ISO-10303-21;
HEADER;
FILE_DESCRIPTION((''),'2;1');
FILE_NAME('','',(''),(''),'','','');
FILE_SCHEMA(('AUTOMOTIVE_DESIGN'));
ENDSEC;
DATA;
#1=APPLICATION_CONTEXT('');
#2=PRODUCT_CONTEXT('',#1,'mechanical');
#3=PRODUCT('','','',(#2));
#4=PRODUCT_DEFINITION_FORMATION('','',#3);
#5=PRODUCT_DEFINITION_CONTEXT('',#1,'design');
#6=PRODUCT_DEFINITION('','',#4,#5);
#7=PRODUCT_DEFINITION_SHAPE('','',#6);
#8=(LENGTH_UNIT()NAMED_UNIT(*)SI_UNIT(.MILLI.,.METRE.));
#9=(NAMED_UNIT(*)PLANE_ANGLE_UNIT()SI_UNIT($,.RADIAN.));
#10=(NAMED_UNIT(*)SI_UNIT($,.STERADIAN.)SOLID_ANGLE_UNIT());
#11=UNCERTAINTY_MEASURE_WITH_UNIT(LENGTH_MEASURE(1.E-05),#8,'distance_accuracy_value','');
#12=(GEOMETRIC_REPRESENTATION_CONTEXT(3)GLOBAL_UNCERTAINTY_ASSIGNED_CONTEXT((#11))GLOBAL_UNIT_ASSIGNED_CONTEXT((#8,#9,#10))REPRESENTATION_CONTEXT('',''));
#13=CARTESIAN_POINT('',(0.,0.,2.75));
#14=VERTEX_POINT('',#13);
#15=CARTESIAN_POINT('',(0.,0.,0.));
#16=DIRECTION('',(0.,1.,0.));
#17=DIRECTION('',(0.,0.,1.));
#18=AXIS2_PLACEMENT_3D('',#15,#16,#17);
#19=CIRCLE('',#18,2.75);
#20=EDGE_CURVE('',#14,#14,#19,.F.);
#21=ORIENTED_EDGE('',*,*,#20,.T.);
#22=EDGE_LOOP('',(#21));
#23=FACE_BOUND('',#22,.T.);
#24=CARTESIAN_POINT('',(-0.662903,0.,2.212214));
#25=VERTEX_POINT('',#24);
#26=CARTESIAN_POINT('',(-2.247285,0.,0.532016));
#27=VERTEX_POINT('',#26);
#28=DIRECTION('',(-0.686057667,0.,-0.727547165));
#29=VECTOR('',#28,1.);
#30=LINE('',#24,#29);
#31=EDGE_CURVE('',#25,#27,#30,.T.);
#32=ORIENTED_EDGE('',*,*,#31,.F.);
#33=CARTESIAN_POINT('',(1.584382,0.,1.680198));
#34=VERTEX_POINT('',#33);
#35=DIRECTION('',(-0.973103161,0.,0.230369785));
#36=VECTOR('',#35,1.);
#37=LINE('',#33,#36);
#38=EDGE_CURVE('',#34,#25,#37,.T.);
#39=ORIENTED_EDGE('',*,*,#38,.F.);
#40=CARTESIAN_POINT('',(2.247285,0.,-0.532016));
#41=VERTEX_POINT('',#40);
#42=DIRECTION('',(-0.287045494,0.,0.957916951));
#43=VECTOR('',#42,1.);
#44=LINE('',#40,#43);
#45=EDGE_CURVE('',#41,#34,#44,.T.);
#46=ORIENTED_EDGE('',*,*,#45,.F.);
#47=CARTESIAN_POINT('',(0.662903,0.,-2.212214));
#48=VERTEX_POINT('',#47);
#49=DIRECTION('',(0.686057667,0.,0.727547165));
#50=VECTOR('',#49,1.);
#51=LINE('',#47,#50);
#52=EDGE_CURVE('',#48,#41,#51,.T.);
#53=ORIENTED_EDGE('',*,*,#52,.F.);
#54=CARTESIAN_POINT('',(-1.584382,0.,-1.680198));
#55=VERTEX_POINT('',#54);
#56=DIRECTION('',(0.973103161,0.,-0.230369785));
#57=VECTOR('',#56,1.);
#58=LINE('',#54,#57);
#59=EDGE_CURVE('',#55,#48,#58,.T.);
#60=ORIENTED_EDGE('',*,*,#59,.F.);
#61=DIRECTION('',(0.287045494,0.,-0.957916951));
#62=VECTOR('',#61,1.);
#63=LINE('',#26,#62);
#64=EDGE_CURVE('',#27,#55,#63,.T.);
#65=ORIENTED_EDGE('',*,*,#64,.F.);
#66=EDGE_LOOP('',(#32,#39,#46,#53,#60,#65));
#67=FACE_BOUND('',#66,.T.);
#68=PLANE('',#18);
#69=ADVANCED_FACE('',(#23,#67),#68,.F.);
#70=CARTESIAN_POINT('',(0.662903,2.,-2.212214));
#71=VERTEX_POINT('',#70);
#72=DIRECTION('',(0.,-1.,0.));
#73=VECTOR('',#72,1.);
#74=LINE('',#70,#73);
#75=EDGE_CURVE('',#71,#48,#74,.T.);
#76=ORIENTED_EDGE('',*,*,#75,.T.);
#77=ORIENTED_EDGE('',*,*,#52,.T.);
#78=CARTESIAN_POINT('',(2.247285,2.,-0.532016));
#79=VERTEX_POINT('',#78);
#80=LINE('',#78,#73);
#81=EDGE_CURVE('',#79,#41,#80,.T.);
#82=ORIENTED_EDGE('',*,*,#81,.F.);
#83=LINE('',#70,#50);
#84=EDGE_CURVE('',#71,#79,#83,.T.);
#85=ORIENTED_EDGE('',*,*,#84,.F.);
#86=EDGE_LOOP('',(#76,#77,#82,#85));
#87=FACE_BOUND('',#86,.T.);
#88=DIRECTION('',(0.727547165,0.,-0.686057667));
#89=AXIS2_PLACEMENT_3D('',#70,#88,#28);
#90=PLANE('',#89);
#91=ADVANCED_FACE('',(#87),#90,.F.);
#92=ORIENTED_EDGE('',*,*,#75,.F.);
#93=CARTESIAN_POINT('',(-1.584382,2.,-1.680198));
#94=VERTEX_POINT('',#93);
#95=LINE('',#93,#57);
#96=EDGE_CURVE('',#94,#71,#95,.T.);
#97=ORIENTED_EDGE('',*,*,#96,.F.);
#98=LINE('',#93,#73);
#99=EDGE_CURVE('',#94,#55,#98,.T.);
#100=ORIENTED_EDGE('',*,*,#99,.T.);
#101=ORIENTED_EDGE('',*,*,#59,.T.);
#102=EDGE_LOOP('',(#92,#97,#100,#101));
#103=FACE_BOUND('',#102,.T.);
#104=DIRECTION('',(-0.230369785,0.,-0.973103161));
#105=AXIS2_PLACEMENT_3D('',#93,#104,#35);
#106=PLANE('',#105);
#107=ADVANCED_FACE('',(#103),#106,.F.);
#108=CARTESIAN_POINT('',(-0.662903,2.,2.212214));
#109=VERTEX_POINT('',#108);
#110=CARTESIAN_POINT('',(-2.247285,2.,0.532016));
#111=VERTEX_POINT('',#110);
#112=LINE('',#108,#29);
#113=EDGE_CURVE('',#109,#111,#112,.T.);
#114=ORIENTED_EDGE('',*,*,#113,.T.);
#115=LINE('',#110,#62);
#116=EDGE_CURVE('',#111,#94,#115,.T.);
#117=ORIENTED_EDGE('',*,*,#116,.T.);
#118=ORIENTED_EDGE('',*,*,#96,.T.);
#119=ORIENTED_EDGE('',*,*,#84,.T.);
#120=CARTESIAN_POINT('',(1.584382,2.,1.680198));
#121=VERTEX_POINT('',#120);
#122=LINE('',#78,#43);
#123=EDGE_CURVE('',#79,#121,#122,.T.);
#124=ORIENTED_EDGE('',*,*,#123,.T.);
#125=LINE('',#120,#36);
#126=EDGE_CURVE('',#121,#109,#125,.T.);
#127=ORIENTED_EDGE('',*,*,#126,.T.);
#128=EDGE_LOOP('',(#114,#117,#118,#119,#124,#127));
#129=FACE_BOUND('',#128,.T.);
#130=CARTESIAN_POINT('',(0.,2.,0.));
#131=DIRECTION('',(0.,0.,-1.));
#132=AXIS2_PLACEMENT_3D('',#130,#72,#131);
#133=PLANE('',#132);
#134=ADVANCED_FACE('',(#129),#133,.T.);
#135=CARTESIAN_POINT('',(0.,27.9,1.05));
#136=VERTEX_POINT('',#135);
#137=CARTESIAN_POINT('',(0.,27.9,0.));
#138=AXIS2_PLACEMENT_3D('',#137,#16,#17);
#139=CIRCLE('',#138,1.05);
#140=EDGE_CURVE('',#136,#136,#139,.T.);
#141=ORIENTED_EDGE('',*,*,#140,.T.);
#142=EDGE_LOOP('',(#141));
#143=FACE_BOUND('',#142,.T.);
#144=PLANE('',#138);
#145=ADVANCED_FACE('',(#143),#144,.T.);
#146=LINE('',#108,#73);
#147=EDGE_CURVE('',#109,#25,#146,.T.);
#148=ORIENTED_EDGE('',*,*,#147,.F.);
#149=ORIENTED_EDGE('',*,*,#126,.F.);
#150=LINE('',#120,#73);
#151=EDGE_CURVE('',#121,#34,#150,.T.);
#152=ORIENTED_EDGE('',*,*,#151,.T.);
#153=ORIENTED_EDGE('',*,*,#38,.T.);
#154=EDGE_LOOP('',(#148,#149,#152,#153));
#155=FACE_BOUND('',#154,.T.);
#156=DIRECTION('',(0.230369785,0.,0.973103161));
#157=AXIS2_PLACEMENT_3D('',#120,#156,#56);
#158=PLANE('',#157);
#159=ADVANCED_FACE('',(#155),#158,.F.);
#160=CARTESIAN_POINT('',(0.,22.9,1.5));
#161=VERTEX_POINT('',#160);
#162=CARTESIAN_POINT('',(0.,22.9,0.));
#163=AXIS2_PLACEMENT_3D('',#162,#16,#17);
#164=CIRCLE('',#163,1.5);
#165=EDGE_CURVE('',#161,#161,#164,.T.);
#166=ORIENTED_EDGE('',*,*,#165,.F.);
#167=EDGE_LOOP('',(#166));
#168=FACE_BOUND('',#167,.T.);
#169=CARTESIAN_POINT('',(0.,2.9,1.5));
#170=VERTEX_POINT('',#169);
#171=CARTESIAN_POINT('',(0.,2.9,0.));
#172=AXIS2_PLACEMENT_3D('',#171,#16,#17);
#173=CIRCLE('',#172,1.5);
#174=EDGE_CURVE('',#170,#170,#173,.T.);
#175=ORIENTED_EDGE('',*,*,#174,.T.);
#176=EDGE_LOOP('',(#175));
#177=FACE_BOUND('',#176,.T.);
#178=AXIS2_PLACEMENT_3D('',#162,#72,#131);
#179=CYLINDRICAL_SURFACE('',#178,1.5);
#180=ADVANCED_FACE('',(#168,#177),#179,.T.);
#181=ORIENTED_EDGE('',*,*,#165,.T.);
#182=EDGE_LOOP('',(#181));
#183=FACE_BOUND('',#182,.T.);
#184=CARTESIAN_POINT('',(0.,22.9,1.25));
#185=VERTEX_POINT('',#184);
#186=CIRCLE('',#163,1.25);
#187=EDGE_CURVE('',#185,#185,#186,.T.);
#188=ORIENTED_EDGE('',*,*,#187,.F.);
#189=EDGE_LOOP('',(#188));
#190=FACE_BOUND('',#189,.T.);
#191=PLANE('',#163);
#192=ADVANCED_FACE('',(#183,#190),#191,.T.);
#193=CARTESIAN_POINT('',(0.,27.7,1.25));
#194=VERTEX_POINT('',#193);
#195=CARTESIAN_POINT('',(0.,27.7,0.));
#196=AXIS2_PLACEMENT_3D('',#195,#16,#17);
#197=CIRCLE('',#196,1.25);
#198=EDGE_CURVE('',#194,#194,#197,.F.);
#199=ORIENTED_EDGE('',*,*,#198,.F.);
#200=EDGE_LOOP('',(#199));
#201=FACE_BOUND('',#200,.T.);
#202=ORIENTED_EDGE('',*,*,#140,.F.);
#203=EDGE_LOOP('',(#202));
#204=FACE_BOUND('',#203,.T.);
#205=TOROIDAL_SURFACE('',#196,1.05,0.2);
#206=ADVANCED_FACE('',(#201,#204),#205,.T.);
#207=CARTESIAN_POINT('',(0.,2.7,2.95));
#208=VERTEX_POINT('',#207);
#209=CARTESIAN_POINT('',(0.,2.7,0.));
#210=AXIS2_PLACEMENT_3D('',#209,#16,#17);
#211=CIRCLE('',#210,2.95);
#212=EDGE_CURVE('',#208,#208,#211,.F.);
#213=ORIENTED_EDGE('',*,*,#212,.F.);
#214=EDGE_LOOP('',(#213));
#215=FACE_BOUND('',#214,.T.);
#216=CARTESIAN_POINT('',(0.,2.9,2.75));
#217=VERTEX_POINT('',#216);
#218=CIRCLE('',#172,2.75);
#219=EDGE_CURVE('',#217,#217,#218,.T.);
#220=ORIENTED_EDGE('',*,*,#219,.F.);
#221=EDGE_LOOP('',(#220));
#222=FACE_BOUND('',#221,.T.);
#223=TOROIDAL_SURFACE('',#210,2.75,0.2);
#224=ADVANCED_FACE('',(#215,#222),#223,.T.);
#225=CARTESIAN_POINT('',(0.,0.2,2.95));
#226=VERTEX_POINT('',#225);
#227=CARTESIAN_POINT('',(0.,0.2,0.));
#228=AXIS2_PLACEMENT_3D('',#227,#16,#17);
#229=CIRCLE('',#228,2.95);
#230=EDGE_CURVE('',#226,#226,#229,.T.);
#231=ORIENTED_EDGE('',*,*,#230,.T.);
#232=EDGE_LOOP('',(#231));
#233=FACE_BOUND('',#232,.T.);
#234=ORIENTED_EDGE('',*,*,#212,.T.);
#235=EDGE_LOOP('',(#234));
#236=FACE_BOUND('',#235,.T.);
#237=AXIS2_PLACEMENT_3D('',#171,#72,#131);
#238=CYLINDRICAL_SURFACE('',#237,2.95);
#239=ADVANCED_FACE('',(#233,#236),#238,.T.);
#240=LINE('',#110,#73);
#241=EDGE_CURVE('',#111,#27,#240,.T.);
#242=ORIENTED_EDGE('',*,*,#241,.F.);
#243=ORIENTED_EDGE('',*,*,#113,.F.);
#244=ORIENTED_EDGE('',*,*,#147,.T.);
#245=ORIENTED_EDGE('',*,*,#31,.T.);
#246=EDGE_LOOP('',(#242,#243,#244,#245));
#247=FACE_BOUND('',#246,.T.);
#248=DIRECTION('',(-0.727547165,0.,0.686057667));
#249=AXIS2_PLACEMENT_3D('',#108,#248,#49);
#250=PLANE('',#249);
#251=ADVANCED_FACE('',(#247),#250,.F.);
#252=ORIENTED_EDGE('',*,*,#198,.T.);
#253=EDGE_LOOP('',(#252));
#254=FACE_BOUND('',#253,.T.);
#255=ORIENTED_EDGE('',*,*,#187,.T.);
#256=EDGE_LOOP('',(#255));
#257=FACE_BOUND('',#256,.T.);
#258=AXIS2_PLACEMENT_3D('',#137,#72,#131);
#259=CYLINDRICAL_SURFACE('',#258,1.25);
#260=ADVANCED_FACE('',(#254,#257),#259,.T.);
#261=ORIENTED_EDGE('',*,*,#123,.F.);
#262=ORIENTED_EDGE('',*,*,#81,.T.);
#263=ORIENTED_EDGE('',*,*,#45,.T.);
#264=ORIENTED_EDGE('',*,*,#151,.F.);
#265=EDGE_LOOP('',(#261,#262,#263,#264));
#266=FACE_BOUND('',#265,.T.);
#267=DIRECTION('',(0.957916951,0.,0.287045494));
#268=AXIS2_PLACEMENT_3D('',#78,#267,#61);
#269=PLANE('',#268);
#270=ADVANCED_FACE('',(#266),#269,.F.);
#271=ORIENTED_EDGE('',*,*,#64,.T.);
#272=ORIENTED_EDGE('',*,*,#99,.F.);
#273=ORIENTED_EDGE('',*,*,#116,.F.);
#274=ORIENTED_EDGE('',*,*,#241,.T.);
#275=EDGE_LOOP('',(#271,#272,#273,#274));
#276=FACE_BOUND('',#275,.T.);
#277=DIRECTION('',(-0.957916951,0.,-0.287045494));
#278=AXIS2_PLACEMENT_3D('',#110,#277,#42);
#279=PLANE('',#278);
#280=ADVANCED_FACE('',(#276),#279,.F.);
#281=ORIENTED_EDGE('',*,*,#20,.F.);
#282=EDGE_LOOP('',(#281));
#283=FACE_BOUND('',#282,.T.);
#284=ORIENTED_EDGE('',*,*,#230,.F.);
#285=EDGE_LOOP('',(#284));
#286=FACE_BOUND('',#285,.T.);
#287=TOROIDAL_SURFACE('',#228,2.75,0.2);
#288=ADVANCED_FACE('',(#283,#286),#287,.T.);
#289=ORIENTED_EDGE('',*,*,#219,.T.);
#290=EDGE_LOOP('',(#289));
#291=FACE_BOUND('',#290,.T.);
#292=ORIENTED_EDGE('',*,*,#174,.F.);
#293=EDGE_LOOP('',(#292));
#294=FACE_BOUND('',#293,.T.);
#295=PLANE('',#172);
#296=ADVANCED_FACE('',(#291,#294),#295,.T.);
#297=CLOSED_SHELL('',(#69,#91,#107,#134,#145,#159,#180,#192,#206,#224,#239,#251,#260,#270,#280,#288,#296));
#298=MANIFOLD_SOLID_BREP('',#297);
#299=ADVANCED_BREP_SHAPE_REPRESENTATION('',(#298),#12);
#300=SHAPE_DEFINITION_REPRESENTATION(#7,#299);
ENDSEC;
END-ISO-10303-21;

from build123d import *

# Parameters (mm, degrees)
SKETCH_1_R          = 2.95
EXTRUDE_1_DEPTH     = 2.9
SKETCH_2_R          = 1.5
EXTRUDE_2_DEPTH     = 20
SKETCH_3_R          = 1.25
EXTRUDE_3_DEPTH     = 5
CUT_EXTRUDE_1_DEPTH = 2
FILLET_1_R          = 0.2


with BuildPart() as part:
    # 草图1 → 凸台-拉伸1 (new body)
    with BuildSketch(Plane(origin=(0, 0, 0), x_dir=(1, 0, 0), z_dir=(0, 1, 0))):
        with Locations(Location((0, 0, 0), (0, 0, 270))):
            Circle(SKETCH_1_R)
    extrude(amount=EXTRUDE_1_DEPTH)

    # 草图2 → 凸台-拉伸2 (add)
    with BuildSketch(Plane(origin=(0, 2.9, 0), x_dir=(1, 0, 0), z_dir=(0, 1, 0))):
        with Locations(Location((0, 0, 0), (0, 0, 270))):
            Circle(SKETCH_2_R)
    extrude(amount=EXTRUDE_2_DEPTH)

    # 草图3 → 凸台-拉伸3 (add)
    with BuildSketch(Plane(origin=(0, 22.9, 0), x_dir=(1, 0, 0), z_dir=(0, 1, 0))):
        with Locations(Location((0, 0, 0), (0, 0, 270))):
            Circle(SKETCH_3_R)
    extrude(amount=EXTRUDE_3_DEPTH)

    # 草图4 → 切除-拉伸1 (cut)
    with BuildSketch(Plane.XZ):
        Polygon((2.247285488, -0.53201623), (1.584382314, 1.680198207), (-0.662903174, 2.212214437), (-2.247285488, 0.53201623), (-1.584382314, -1.680198207), (0.662903174, -2.212214437), align=None)
    extrude(amount=-CUT_EXTRUDE_1_DEPTH, mode=Mode.SUBTRACT)

    # 圆角1
    fillet_1_edges = [part.edges().sort_by_distance(p)[0] for p in [
        (0, 27.9, -1.25),
        (0, 0, -2.95),
        (0, 2.9, -2.95),
    ]]
    fillet(fillet_1_edges, radius=FILLET_1_R)


solid = part.part
